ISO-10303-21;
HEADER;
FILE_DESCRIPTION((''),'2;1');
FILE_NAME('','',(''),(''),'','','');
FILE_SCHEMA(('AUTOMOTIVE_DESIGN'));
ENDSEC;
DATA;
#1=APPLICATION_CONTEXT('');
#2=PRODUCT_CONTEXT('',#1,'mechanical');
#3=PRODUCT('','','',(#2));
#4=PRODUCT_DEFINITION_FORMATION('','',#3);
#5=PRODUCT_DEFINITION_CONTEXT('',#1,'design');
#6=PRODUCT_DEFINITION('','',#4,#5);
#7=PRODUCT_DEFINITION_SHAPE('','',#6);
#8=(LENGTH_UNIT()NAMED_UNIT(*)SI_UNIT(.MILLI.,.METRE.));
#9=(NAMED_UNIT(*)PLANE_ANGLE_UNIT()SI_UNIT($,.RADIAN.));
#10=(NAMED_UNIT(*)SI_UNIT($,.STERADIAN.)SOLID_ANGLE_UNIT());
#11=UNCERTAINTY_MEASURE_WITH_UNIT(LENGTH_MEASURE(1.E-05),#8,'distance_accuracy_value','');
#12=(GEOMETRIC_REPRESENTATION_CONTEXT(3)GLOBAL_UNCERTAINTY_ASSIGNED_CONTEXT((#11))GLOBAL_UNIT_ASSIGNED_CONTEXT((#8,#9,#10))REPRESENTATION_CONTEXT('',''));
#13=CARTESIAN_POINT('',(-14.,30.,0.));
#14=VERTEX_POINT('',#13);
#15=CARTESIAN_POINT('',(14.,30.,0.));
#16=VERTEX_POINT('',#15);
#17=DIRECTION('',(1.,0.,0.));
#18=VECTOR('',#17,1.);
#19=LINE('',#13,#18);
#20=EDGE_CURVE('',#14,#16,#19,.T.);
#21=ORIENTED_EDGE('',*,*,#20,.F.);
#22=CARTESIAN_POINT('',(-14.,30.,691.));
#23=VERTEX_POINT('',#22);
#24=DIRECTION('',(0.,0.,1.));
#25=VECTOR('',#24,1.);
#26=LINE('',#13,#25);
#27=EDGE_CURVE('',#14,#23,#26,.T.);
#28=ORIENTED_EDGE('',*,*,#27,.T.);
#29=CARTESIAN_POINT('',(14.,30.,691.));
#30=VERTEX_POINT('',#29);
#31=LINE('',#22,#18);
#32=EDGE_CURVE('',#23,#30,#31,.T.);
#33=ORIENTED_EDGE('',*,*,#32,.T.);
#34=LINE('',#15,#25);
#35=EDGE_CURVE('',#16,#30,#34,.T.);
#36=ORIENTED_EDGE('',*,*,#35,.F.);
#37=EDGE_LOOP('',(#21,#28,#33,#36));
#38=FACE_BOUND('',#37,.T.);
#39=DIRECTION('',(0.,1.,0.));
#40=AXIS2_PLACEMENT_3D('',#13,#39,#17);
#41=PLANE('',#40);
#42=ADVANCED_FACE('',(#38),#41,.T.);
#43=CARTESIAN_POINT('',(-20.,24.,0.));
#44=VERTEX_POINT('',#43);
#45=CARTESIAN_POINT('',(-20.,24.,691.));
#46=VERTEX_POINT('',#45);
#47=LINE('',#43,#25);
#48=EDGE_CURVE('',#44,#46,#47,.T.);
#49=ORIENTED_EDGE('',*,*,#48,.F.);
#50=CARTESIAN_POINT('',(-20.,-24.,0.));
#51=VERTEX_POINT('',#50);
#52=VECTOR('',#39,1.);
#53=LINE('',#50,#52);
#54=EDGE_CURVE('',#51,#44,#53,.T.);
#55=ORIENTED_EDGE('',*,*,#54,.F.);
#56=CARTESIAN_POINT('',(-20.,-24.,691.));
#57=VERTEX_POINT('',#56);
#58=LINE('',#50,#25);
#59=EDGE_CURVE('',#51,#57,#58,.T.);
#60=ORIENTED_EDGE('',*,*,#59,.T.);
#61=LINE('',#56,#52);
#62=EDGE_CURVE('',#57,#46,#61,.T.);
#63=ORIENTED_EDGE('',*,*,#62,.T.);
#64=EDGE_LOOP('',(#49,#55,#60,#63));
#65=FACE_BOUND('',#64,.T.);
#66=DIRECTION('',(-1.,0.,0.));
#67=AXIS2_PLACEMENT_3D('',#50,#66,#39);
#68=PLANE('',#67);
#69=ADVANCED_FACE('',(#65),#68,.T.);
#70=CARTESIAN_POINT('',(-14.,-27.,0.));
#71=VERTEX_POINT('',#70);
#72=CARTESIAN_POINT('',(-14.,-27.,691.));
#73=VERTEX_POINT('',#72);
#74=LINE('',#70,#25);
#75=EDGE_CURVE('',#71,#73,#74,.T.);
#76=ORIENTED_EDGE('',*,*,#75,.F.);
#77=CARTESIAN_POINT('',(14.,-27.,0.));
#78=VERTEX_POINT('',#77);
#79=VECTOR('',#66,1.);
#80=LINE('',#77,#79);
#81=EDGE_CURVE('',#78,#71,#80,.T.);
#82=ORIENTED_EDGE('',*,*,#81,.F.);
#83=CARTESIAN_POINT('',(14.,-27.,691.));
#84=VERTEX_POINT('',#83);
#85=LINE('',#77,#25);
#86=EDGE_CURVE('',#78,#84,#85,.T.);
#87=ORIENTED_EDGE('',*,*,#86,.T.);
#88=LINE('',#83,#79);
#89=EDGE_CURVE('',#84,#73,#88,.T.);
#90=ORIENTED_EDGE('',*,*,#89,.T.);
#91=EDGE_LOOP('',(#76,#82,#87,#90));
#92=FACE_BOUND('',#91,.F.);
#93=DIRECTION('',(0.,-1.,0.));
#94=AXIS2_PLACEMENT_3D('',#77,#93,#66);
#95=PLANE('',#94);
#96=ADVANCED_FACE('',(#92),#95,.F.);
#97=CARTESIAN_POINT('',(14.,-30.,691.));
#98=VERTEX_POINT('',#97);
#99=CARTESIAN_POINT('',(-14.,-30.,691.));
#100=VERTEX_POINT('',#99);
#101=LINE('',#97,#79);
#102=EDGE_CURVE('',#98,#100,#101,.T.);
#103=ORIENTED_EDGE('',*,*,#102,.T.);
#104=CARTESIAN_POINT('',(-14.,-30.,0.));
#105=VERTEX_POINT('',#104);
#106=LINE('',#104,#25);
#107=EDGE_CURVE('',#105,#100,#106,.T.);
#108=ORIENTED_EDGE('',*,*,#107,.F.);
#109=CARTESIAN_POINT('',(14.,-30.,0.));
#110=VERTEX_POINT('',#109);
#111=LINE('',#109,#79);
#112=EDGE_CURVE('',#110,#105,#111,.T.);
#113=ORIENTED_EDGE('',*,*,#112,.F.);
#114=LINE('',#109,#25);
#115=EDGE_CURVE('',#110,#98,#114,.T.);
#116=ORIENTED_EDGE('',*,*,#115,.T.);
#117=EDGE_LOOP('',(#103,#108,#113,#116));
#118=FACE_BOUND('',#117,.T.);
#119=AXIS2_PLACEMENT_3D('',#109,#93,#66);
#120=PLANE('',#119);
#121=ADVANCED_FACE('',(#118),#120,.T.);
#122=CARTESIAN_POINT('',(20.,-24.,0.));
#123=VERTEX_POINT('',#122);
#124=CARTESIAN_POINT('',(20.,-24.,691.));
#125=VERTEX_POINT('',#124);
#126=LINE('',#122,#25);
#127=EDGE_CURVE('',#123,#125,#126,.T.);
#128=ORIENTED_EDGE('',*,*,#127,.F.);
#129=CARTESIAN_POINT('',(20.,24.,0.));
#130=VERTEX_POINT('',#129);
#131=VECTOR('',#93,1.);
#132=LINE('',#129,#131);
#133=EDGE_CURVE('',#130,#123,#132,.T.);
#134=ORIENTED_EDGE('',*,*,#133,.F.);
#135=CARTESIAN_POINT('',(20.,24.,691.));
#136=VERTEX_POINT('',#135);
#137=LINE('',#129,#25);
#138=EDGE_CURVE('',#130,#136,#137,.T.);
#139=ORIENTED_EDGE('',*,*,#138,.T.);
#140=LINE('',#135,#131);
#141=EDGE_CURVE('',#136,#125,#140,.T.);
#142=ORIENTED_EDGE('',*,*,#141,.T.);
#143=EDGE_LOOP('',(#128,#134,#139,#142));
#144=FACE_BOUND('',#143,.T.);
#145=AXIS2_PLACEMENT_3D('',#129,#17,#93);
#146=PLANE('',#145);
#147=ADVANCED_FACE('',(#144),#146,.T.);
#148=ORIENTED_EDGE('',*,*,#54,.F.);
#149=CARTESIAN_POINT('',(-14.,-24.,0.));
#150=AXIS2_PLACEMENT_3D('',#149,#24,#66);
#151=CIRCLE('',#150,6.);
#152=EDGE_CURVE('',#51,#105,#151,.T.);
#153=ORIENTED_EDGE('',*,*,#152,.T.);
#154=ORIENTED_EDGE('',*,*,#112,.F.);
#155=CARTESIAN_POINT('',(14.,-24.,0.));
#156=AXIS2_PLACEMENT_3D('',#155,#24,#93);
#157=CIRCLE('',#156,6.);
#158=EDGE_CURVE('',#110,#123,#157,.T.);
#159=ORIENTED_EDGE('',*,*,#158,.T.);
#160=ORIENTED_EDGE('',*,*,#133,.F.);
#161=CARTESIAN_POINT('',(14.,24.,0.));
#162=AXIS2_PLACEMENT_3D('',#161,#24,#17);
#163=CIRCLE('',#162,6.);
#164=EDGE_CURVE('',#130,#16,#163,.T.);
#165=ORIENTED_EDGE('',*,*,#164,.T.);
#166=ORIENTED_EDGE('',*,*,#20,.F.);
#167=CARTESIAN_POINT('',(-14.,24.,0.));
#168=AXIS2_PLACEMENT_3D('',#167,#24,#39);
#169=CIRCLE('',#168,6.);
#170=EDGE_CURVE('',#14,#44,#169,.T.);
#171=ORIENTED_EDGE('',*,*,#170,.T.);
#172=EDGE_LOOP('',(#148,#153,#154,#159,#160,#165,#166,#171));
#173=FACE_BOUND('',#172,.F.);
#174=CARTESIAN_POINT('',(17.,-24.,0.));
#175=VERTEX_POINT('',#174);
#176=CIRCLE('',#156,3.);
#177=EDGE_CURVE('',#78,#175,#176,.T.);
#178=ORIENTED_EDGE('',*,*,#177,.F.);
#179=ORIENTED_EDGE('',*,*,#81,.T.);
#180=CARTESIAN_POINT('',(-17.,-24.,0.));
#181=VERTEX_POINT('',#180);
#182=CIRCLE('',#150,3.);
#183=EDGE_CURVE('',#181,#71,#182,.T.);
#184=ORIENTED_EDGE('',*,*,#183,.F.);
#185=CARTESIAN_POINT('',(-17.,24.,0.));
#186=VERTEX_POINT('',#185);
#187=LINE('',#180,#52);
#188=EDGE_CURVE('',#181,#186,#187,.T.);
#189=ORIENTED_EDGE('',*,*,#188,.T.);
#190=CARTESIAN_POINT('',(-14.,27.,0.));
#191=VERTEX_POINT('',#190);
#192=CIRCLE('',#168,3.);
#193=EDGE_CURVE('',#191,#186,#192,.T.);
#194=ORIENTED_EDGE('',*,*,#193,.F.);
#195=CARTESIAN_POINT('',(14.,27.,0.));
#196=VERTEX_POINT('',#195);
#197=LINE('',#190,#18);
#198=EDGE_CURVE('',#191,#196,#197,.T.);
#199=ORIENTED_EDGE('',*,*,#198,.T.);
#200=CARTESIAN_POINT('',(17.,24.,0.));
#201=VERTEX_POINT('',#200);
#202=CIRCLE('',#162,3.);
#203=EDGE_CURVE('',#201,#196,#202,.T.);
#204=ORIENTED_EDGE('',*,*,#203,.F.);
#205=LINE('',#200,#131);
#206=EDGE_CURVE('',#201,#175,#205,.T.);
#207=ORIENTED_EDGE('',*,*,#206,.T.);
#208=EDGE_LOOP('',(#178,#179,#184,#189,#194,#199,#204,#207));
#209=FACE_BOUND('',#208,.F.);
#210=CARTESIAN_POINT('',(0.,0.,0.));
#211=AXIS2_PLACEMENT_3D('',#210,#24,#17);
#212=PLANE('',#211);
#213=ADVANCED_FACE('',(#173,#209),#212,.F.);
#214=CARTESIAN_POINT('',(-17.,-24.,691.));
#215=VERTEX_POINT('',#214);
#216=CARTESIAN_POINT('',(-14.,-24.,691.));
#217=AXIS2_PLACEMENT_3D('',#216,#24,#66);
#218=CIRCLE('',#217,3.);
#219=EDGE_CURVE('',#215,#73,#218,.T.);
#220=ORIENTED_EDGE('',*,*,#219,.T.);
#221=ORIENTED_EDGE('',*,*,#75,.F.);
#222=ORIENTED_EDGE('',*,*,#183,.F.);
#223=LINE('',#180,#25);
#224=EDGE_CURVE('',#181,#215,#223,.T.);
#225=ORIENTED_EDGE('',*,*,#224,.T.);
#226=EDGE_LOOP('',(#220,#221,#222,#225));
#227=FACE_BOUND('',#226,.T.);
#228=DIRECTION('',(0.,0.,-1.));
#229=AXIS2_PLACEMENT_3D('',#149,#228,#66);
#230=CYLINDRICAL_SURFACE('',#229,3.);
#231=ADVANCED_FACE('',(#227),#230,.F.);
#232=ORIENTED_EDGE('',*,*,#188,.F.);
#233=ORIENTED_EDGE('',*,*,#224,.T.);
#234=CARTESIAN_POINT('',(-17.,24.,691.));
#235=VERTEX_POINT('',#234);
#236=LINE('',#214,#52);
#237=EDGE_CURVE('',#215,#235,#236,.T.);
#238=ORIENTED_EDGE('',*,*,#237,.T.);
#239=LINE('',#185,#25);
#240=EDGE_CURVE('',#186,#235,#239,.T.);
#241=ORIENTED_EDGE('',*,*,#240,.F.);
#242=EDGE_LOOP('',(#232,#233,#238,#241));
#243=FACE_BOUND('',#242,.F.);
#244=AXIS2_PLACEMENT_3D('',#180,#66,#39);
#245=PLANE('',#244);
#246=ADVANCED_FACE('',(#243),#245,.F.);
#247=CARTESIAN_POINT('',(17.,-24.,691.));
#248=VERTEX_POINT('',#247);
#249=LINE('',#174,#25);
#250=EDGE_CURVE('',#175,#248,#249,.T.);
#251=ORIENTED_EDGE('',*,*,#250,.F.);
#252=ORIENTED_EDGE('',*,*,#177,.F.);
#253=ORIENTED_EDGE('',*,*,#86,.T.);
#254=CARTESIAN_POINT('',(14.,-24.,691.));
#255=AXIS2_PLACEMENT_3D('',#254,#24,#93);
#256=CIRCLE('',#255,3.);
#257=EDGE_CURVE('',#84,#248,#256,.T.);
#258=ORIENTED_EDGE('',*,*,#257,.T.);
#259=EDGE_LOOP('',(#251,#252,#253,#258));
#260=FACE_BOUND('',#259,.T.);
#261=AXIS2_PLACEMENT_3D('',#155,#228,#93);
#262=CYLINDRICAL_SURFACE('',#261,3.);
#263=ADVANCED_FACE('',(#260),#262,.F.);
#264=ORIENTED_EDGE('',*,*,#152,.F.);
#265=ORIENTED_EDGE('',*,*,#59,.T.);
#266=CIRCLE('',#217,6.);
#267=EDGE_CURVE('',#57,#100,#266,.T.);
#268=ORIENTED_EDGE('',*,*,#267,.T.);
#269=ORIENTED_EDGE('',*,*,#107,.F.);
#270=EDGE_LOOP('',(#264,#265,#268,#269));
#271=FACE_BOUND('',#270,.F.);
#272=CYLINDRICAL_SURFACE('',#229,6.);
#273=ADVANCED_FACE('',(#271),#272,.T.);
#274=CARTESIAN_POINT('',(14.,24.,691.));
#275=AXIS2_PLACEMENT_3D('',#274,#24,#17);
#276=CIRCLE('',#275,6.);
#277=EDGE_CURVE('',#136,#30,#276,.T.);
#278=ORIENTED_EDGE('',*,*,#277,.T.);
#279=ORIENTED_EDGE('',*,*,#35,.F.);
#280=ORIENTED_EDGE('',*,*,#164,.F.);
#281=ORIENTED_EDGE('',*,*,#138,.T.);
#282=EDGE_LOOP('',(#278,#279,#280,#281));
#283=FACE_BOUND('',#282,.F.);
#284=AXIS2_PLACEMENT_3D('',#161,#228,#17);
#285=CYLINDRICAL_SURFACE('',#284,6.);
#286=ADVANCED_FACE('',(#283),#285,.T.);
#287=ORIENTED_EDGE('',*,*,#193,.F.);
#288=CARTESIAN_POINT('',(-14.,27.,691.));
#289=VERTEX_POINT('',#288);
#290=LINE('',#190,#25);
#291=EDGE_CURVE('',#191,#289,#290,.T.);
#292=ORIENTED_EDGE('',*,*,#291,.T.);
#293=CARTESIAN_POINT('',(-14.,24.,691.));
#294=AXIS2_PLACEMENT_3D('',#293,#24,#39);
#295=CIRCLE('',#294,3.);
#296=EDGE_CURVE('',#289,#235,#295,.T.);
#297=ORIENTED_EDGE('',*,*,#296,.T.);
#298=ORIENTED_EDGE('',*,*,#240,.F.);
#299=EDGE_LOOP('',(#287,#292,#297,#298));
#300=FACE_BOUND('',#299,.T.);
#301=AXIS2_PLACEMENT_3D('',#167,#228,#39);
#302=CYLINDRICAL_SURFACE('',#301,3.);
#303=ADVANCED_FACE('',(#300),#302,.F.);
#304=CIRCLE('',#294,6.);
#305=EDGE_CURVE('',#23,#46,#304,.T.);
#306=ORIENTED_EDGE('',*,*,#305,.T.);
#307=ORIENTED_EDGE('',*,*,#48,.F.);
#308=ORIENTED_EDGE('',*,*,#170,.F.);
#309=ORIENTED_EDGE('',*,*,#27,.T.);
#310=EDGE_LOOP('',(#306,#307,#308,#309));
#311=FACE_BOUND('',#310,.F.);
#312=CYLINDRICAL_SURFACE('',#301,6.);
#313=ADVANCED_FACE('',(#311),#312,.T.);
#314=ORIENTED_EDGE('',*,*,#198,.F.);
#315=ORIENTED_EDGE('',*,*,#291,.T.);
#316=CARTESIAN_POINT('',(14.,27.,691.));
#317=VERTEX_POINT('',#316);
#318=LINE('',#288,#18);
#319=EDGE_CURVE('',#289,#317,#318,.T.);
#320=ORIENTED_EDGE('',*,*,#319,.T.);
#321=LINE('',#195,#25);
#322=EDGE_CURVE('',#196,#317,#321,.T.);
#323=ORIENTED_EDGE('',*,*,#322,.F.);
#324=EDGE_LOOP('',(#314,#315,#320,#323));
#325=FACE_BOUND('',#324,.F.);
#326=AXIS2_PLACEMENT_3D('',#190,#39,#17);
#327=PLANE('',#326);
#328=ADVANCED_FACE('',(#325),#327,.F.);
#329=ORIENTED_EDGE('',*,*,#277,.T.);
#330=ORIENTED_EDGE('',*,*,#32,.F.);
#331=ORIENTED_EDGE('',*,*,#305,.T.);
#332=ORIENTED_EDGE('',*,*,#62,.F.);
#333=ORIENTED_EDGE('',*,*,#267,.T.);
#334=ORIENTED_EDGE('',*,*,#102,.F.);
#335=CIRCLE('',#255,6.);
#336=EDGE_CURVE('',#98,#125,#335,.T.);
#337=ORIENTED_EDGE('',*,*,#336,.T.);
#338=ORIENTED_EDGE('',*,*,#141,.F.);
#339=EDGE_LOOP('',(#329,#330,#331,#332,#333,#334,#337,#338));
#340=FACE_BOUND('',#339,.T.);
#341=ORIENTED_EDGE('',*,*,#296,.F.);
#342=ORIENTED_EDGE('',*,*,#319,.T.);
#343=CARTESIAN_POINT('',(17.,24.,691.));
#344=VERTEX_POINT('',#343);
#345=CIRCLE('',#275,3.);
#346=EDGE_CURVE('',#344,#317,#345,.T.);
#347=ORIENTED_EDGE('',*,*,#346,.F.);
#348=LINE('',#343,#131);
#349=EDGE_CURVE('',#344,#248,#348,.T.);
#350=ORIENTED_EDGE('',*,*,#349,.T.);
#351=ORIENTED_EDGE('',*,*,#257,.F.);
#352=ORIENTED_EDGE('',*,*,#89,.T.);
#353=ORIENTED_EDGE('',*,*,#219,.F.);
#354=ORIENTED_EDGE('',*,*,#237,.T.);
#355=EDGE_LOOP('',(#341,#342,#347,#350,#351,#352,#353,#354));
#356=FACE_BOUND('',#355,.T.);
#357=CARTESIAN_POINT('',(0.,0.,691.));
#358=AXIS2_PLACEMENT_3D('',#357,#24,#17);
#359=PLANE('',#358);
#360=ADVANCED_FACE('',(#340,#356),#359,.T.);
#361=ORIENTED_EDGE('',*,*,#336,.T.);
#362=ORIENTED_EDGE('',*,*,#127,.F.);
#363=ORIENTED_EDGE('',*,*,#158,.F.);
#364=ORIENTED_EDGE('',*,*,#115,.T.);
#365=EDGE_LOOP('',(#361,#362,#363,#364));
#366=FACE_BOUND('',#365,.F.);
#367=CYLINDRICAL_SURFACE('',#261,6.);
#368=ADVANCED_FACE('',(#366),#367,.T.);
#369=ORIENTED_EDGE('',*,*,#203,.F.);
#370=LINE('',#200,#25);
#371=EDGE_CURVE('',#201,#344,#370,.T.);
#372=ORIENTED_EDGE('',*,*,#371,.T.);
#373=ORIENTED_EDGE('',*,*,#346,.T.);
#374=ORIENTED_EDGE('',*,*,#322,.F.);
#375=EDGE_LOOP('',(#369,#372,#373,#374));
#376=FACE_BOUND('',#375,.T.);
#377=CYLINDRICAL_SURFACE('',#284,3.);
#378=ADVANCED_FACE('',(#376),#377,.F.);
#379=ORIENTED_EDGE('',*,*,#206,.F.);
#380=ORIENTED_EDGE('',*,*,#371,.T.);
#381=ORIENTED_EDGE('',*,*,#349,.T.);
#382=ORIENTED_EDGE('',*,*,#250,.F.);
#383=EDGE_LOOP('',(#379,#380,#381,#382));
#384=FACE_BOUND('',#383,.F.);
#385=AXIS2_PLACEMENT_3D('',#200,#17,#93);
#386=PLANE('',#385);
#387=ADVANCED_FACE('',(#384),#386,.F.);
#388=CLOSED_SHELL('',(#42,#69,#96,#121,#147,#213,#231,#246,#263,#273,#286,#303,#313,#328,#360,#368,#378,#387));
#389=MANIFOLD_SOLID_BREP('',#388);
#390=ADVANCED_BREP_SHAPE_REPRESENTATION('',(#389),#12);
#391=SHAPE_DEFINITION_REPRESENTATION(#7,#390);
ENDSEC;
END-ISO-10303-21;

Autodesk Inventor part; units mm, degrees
ref_plane "YZ Plane" through (0, 0, 0) normal (1, 0, 0) x (0, 1, 0)
ref_plane "Start plane" through (0, 0, 0) normal (0, 0, 1) x (1, 0, 0)
ref_plane "End plane" through (0, 0, 691) normal (0, 0, 1) x (1, 0, 0)
sketch "Sketch" plane through (0, 0, 0) normal (0, 0, 1) x (1, 0, 0)
  line L0 (-20, -24) -> (-20, 24)
  line L1 (-14, 30) -> (14, 30)
  line L2 (20, 24) -> (20, -24)
  line L3 (14, -30) -> (-14, -30)
  arc A0 (-20, -24) -> (-14, -30) centre (-14, -24) ccw
  arc A1 (20, 24) -> (14, 30) centre (14, 24) ccw
  arc A2 (-14, 30) -> (-20, 24) centre (-14, 24) ccw
  arc A3 (14, -30) -> (20, -24) centre (14, -24) ccw
  arc A4 (-14, 27) -> (-17, 24) centre (-14, 24) ccw
  line L4 (-14, 27) -> (14, 27)
  arc A5 (17, 24) -> (14, 27) centre (14, 24) ccw
  line L5 (17, 24) -> (17, -24)
  arc A6 (14, -27) -> (17, -24) centre (14, -24) ccw
  line L6 (14, -27) -> (-14, -27)
  arc A7 (-17, -24) -> (-14, -27) centre (-14, -24) ccw
  line L7 (-17, -24) -> (-17, 24)
  line L8 (0, 37.1021) -> (0, -37.1021) construction
  line L9 (-23.1021, 0) -> (23.1021, 0) construction
  dimension "d7" = 6
  dimension "d9" = 40
  dimension "d11" = 60
  dimension "d12" = 3
  dimension "d15" = 20
  dimension "d16" = 30
extrude "Body" add sketch "Sketch" along normal up to surface (691 mm away) from surface at 0
sketch "Sketch3" plane through (0, 0, 0) normal (0, 0, 1) x (1, 0, 0)
  line L0 (0, 0) -> (10, 0)
ref_plane "Work Plane3" through (0, 0, 0) normal (0, -1, 0) x (1, 0, 0)
sketch "Sketch4" plane through (0, 0, 0) normal (0, -1, 0) x (1, 0, 0)
  line L0 (-2, 0) -> (12, 0) projected
  line L1 (-2, 691) -> (12, 691) projected
  dimension "d18" = 691
equation "\"d7\" = G_IR"
equation "\"d9\" = G_W"
equation "\"d11\" = G_H"
equation "\"d12\" = G_T"
equation "\"d15\" = 0.5 * d9"
equation "\"d16\" = 0.5 * d11"
equation "\"d3\" = G_L"
equation "\"G_W\" = 40"
equation "\"G_H\" = 60"
equation "\"G_T\" = 3"
equation "\"G_IR\" = 6"
equation "\"G_L\" = d18"
equation "\"G_OFFSET_START\" = 0"
equation "\"G_OFFSET_END\" = 0"
equation "\"d14\" = G_OFFSET_END + B_L"
equation "\"B_L\" = 691"
properties part number "ISO 4019 - 60x40x3 - 691" material "Steel, Mild"
